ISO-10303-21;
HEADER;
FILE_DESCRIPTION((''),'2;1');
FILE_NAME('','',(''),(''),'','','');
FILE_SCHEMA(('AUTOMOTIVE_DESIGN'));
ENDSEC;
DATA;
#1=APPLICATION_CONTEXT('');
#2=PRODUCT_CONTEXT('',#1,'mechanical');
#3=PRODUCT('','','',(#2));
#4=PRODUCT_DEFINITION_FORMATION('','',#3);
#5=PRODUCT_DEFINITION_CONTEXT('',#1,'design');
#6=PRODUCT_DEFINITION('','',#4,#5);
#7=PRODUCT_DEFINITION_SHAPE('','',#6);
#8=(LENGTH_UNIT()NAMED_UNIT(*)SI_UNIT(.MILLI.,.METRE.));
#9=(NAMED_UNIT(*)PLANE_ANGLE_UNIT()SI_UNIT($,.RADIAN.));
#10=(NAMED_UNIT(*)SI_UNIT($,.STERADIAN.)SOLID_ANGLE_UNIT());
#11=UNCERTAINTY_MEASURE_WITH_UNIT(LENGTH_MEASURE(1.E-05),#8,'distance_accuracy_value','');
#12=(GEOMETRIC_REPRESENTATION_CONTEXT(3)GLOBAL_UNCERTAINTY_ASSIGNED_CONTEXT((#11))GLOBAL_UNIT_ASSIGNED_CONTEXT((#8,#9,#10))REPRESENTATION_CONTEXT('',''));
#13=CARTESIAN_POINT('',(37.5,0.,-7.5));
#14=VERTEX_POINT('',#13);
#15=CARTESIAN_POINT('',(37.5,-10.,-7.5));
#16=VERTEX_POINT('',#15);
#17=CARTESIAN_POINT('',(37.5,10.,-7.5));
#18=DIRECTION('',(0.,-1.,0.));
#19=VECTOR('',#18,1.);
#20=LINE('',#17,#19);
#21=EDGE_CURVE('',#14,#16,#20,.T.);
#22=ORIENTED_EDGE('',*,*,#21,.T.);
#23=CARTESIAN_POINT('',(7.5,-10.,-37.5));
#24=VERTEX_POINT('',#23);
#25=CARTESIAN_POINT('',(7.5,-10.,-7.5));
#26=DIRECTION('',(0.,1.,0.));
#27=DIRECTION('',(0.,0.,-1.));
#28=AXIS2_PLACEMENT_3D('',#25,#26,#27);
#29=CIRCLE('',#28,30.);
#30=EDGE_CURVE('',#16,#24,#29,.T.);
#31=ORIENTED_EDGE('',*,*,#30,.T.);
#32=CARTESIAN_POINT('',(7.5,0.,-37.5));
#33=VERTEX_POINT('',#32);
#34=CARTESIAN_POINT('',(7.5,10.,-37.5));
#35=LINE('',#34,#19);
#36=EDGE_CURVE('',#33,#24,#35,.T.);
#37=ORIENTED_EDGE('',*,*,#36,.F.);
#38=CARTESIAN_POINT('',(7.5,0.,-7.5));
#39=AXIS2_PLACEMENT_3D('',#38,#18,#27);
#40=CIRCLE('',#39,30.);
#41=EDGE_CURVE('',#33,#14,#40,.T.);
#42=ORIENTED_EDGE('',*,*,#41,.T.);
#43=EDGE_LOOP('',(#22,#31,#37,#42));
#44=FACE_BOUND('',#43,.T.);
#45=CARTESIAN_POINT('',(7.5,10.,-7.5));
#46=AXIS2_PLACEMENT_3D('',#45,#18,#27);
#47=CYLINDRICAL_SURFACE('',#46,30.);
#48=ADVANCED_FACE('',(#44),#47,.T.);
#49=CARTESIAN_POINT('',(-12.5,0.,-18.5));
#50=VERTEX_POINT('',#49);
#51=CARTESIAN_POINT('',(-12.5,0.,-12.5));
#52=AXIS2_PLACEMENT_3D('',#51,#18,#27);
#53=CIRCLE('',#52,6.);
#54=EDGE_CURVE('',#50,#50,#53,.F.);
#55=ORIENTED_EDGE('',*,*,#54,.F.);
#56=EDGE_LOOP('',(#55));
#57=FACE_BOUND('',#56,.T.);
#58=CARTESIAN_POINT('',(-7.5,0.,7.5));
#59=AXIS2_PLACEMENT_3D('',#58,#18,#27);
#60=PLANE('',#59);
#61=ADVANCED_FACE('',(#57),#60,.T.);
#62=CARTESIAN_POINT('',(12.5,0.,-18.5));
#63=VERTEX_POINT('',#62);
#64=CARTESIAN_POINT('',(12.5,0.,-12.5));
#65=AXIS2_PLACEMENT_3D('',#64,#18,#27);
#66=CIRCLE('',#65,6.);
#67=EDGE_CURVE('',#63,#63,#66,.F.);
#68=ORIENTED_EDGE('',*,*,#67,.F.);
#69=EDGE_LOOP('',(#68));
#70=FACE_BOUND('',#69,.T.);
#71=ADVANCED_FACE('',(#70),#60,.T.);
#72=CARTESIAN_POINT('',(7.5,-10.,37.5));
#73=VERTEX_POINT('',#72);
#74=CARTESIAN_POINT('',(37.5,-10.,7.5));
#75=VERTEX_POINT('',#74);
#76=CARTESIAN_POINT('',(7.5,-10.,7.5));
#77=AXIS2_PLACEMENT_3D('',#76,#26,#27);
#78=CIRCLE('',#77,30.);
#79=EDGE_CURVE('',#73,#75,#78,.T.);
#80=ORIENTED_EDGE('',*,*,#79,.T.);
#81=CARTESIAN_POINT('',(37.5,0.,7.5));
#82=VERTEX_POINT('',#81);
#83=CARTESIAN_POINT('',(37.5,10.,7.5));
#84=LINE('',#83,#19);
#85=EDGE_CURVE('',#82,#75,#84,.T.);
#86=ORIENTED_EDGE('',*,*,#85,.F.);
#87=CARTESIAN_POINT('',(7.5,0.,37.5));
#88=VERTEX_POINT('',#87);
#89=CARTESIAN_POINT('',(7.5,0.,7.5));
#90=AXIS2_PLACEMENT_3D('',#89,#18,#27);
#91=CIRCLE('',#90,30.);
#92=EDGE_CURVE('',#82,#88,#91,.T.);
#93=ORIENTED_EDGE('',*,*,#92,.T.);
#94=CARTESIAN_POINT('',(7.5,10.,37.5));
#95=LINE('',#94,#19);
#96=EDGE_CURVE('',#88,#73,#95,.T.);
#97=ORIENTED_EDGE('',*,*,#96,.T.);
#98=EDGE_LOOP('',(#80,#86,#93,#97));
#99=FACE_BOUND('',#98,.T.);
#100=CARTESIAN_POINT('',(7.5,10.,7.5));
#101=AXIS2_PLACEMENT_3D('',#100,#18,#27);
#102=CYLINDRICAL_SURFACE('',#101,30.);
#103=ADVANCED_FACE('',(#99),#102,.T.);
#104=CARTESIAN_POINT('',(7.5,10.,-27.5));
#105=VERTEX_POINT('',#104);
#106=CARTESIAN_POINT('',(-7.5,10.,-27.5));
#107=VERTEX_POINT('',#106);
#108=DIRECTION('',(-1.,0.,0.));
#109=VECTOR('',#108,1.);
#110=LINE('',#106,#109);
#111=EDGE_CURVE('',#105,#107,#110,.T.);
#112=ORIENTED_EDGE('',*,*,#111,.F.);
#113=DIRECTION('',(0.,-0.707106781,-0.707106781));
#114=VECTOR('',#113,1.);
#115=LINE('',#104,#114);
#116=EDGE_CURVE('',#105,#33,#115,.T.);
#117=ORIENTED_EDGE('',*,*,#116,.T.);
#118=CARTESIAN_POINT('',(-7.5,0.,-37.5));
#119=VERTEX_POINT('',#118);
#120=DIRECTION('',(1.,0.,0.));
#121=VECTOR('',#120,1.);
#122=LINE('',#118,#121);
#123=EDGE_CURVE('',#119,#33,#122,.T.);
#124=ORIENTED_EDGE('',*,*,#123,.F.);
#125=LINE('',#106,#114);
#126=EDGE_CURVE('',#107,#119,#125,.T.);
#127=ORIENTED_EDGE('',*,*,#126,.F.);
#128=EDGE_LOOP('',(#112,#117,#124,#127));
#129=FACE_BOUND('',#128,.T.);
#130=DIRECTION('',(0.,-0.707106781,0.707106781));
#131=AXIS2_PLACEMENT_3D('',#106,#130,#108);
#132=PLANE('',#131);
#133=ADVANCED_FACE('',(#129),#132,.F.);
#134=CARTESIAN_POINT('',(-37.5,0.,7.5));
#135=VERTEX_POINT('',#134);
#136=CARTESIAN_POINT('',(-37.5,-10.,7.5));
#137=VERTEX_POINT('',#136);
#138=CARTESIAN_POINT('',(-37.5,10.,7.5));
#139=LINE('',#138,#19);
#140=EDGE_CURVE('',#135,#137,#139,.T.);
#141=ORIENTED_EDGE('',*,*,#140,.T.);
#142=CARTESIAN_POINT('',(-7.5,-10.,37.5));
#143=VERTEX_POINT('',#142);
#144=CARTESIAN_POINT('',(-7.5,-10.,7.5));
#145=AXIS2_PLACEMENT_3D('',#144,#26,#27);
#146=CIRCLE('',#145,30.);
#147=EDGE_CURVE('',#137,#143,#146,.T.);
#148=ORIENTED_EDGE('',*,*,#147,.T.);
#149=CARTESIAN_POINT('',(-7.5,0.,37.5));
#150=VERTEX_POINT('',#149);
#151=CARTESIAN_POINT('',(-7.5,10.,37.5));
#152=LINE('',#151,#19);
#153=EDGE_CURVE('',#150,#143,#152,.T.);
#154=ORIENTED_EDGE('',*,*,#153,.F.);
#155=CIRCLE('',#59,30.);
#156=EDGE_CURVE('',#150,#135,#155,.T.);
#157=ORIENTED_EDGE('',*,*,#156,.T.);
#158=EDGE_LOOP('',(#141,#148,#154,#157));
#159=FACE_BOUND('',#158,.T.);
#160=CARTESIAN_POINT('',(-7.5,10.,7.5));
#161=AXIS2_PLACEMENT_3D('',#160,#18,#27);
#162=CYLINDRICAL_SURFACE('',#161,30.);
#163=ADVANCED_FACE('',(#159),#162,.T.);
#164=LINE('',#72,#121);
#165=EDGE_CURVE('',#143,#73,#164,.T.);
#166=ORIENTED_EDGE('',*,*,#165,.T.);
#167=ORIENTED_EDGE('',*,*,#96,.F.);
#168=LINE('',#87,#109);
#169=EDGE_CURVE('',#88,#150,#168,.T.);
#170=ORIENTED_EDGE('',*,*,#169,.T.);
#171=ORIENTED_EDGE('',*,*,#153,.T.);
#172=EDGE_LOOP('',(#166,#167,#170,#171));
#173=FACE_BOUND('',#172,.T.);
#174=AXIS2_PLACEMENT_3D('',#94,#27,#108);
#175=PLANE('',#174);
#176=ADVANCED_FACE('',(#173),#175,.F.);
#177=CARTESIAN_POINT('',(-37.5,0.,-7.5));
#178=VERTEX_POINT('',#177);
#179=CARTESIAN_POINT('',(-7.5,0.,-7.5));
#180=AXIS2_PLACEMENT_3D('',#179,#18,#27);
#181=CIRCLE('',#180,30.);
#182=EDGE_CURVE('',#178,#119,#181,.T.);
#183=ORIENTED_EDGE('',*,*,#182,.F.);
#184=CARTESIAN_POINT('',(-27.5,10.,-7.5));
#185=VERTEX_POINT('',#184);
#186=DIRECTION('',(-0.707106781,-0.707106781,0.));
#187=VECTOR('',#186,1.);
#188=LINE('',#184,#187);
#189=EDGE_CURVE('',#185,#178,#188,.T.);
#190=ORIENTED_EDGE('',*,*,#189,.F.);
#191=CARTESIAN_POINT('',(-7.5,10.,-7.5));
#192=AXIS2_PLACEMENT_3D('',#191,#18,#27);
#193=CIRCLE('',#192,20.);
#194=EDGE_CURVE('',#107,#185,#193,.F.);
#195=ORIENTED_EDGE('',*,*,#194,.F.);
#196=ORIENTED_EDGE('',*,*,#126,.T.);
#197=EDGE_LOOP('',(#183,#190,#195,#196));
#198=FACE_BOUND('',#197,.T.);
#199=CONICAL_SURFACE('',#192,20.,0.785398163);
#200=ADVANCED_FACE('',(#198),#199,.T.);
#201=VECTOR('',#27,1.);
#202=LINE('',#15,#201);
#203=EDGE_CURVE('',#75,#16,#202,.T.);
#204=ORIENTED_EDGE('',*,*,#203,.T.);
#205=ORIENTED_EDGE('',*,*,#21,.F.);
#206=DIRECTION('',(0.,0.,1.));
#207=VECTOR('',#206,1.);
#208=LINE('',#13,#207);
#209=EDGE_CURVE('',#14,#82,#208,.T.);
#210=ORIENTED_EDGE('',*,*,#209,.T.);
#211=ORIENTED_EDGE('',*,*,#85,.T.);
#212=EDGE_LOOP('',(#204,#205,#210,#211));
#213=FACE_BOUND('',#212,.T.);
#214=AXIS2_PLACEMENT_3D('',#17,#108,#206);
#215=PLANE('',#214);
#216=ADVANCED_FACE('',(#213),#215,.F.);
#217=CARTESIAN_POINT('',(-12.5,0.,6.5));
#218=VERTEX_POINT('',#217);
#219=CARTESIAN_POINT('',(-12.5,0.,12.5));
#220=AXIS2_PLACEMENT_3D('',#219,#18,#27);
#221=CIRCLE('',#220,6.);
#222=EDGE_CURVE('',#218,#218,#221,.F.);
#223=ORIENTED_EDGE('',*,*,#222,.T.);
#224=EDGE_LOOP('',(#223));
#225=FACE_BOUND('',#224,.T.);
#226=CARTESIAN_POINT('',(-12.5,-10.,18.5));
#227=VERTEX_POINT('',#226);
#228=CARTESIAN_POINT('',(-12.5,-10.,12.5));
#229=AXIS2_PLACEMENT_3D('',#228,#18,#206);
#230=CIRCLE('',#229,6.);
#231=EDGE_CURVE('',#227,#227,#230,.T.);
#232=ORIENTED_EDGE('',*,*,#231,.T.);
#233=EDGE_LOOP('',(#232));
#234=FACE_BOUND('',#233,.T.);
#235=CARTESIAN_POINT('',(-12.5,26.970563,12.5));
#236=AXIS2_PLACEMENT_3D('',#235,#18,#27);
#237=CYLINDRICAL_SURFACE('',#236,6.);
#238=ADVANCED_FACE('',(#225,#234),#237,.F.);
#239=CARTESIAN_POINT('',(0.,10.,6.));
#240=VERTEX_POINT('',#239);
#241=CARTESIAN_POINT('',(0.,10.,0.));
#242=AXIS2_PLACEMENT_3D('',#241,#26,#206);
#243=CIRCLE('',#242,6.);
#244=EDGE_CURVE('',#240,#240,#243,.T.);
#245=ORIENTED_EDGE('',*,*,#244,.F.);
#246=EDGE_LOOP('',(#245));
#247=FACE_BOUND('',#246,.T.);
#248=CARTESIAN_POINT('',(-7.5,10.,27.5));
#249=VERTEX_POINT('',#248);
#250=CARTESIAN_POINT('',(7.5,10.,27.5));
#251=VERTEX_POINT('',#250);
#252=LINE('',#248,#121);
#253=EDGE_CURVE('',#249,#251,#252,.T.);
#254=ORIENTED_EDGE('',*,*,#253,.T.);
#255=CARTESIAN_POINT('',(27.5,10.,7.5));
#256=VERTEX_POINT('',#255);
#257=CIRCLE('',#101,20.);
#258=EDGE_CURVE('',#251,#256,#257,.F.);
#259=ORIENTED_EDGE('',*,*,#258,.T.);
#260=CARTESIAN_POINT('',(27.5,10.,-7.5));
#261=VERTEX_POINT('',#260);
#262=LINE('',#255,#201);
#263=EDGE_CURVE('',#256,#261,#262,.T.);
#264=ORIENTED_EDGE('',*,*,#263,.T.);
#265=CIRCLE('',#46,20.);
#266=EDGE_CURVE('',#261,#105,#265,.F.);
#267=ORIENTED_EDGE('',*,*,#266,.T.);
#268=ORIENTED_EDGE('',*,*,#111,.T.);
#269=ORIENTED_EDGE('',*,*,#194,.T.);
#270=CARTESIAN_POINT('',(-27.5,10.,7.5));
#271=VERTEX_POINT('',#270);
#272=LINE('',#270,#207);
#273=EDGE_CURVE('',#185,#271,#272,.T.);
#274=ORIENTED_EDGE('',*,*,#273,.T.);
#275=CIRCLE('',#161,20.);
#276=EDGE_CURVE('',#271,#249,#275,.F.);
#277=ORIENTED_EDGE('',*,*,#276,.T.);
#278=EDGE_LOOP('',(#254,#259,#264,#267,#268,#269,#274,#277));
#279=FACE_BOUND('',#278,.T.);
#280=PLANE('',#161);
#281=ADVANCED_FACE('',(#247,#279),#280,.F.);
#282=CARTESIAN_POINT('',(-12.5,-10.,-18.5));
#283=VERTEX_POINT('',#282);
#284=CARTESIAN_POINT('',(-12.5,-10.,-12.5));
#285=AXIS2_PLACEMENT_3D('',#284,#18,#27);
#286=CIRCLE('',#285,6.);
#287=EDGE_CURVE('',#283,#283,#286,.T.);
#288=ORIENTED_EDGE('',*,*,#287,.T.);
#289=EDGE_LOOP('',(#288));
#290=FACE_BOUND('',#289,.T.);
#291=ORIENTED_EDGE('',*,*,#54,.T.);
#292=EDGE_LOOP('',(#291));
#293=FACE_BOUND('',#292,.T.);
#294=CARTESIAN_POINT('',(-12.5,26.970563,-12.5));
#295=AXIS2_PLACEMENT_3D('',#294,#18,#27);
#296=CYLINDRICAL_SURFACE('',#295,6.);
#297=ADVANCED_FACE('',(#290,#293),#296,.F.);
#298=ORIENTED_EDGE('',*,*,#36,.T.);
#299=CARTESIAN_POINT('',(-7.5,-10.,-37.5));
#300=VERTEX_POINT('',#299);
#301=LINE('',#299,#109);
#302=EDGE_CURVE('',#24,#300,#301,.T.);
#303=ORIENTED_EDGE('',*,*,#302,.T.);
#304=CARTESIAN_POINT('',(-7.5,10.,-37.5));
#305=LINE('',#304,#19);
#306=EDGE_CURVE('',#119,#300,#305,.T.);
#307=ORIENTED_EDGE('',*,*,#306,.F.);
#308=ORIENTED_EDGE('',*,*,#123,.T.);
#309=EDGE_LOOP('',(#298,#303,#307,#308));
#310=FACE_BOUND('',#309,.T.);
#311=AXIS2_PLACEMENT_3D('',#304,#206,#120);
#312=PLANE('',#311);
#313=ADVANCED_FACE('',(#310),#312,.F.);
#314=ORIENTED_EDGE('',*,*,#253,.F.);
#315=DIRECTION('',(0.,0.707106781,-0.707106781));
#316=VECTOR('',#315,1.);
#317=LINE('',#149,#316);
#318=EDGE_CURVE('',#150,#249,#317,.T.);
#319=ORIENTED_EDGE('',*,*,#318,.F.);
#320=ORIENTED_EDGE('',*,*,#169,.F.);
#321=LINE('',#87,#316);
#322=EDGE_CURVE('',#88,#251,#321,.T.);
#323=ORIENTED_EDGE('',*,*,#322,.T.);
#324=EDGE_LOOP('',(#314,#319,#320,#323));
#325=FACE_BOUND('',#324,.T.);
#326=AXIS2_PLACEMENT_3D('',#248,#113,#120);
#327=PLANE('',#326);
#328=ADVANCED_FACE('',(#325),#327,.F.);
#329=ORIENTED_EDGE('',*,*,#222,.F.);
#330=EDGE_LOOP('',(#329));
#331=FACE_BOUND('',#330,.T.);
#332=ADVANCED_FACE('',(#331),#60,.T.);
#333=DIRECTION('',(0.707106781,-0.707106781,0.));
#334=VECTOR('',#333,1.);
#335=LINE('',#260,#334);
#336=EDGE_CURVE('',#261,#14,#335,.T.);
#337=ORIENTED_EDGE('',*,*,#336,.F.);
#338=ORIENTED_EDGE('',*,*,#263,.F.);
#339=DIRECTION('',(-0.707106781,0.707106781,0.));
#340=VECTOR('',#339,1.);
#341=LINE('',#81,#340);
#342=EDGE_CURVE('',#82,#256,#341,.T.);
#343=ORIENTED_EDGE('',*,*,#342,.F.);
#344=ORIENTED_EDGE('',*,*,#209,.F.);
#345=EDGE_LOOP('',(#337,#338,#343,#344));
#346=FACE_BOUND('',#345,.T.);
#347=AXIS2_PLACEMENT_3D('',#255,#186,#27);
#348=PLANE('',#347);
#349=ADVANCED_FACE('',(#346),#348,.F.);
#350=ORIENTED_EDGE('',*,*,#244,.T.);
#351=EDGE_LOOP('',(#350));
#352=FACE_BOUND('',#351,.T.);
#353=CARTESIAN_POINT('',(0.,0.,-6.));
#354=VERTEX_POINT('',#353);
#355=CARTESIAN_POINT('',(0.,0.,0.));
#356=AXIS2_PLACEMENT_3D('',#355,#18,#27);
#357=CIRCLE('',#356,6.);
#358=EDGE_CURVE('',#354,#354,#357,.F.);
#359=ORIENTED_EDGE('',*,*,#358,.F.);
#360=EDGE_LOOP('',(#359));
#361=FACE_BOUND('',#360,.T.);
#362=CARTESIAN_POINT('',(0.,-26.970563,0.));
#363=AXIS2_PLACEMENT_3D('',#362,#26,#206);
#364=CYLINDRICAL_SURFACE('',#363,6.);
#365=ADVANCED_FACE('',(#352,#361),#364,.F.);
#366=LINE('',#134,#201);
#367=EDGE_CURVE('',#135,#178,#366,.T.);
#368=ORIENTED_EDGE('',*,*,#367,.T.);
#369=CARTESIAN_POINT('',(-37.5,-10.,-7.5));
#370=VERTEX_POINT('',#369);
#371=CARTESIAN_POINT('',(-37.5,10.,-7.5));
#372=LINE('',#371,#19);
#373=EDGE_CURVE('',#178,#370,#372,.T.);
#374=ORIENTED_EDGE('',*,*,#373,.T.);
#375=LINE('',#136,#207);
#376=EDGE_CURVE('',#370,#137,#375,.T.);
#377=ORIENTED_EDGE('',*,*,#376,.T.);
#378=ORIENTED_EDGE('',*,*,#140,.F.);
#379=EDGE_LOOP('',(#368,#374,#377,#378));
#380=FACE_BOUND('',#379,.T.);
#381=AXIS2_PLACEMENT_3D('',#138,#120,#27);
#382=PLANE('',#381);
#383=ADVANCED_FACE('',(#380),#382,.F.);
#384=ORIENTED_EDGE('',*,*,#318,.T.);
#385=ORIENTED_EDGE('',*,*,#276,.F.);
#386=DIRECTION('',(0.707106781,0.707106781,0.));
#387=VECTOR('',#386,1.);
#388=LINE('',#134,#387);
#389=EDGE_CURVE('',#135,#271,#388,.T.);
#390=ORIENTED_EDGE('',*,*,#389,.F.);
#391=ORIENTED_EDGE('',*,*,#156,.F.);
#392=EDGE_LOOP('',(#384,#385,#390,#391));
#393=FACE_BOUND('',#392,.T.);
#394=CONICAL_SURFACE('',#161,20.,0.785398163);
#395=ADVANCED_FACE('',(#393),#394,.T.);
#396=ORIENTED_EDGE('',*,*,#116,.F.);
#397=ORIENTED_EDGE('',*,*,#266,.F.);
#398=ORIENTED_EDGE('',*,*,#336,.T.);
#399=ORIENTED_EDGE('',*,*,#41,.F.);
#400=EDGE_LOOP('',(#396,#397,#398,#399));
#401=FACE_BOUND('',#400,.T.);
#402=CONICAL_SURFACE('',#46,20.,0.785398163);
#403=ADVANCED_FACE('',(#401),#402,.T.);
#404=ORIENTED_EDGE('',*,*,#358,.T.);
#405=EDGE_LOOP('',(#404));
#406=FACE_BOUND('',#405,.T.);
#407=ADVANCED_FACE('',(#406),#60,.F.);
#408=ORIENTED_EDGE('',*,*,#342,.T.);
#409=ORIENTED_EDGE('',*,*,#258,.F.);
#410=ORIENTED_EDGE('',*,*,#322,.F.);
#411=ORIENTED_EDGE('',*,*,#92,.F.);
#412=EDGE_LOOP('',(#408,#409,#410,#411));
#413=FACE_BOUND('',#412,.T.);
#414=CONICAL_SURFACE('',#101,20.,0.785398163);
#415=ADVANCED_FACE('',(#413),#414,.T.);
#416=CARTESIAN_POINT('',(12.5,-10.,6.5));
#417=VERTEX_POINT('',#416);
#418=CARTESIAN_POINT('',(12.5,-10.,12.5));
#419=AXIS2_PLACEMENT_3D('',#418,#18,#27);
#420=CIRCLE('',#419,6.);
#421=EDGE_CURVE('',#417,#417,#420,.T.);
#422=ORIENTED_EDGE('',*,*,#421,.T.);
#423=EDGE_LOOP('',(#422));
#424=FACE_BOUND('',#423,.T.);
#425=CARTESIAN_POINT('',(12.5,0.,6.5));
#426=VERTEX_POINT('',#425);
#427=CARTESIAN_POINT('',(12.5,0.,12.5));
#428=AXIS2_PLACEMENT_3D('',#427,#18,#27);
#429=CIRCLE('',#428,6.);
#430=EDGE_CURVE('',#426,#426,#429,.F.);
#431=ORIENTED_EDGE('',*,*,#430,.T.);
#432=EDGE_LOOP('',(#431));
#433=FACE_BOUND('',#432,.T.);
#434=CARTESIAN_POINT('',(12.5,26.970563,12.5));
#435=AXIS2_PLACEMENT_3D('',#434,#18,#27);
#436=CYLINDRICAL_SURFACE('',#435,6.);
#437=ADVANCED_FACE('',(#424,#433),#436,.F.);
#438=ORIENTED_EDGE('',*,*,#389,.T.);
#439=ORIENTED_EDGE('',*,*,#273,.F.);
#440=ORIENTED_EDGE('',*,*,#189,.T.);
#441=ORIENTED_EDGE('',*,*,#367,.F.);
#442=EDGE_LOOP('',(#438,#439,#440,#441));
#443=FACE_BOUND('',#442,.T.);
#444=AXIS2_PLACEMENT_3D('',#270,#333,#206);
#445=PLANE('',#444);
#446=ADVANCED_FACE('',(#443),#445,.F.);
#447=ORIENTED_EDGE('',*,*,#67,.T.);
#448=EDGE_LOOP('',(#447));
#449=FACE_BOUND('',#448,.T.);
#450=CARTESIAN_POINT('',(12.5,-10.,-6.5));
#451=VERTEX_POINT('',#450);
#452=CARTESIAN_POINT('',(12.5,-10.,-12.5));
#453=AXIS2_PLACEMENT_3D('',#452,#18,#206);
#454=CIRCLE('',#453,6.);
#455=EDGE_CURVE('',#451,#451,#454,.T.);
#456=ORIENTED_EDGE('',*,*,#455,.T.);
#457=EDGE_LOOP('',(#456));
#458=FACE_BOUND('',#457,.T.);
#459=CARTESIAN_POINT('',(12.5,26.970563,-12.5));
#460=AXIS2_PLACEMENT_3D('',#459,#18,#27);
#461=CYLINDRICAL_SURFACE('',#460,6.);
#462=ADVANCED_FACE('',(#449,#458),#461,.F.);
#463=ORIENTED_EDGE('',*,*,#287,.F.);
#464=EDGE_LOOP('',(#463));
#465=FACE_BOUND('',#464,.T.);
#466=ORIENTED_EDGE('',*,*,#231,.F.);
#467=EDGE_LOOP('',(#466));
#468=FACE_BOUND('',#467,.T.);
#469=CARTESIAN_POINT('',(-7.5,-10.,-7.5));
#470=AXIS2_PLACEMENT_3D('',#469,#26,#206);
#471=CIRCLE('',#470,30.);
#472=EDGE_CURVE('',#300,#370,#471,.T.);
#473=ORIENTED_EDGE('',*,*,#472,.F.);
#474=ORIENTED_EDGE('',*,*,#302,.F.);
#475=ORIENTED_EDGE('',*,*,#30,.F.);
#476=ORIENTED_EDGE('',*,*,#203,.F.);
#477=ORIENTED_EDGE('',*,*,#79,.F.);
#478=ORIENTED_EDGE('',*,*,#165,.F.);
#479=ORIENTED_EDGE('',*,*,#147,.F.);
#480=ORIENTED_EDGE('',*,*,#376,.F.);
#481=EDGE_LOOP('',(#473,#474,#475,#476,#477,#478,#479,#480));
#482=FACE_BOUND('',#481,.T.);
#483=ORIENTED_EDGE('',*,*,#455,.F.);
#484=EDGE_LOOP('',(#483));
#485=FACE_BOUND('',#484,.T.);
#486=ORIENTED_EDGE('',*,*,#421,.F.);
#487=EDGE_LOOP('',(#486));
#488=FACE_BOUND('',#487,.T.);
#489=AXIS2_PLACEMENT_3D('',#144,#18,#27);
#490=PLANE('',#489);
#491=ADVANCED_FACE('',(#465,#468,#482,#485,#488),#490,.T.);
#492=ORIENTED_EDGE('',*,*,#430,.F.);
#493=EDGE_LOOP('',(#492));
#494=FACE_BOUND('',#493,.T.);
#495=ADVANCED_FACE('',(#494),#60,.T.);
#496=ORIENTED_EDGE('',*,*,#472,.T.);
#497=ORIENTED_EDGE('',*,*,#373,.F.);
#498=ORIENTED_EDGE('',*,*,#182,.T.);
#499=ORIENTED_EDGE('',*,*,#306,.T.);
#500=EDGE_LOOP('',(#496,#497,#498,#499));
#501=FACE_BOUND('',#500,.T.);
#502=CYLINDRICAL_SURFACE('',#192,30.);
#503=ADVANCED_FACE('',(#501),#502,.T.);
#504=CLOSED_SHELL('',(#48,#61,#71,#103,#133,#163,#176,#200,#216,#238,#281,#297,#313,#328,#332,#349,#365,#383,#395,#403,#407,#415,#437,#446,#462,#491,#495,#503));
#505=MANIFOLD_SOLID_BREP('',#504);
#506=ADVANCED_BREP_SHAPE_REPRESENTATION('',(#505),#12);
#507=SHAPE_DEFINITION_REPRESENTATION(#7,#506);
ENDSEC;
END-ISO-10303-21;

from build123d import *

# Parameters (mm, degrees)
BOSS_EXTRUDE1_DEPTH = 10
CHAMFER1_SIZE       = 10
SKETCH3_R           = 6
CUT_EXTRUDE2_DEPTH  = 10
SKETCH5_R           = 6
CUT_EXTRUDE3_DEPTH  = 10


with BuildPart() as part:
    # Sketch1 → Boss-Extrude1 (new, symmetric)
    with BuildSketch(Plane(origin=(0, 0, 0), x_dir=(1, 0, 0), z_dir=(0, 1, 0))):
        with BuildLine():
            Line((-7.5, 37.5), (7.5, 37.5))
            ThreePointArc((7.5, 37.5), (28.713203436, 28.713203436), (37.5, 7.5))
            Line((37.5, 7.5), (37.5, -7.5))
            ThreePointArc((37.5, -7.5), (28.713203436, -28.713203436), (7.5, -37.5))
            Line((7.5, -37.5), (-7.5, -37.5))
            ThreePointArc((-7.5, -37.5), (-28.713203436, -28.713203436), (-37.5, -7.5))
            Line((-37.5, -7.5), (-37.5, 7.5))
            ThreePointArc((-37.5, 7.5), (-28.713203436, 28.713203436), (-7.5, 37.5))
        make_face()
    extrude(amount=BOSS_EXTRUDE1_DEPTH, both=True)

    # Chamfer1
    chamfer1_edges = [part.edges().sort_by_distance(p)[0] for p in [
        (28.713203436, 10, 28.713203436),
        (37.5, 10, 0),
        (28.713203436, 10, -28.713203436),
        (0, 10, -37.5),
        (-28.713203436, 10, -28.713203436),
        (-37.5, 10, 0),
        (-28.713203436, 10, 28.713203436),
        (0, 10, 37.5),
    ]]
    chamfer(chamfer1_edges, length=CHAMFER1_SIZE)

    # Sketch3 → Cut-Extrude2 (cut)
    with BuildSketch(Plane.XZ.offset(10)):
        with Locations(Location((12.5, 12.5, 0), (0, 0, 270))):
            Circle(SKETCH3_R)
        with Locations(Location((-12.5, 12.5, 0), (0, 0, 270))):
            Circle(SKETCH3_R)
        with Locations(Location((12.5, -12.5, 0), (0, 0, 270))):
            Circle(SKETCH3_R)
        with Locations(Location((-12.5, -12.5, 0), (0, 0, 270))):
            Circle(SKETCH3_R)
    extrude(amount=-CUT_EXTRUDE2_DEPTH, mode=Mode.SUBTRACT)

    # Sketch5 → Cut-Extrude3 (cut)
    with BuildSketch(Plane(origin=(0, 10, 0), x_dir=(1, 0, 0), z_dir=(0, 1, 0))):
        with Locations(Location((0, 0, 0), (0, 0, 270))):
            Circle(SKETCH5_R)
    extrude(amount=-CUT_EXTRUDE3_DEPTH, mode=Mode.SUBTRACT)


solid = part.part
